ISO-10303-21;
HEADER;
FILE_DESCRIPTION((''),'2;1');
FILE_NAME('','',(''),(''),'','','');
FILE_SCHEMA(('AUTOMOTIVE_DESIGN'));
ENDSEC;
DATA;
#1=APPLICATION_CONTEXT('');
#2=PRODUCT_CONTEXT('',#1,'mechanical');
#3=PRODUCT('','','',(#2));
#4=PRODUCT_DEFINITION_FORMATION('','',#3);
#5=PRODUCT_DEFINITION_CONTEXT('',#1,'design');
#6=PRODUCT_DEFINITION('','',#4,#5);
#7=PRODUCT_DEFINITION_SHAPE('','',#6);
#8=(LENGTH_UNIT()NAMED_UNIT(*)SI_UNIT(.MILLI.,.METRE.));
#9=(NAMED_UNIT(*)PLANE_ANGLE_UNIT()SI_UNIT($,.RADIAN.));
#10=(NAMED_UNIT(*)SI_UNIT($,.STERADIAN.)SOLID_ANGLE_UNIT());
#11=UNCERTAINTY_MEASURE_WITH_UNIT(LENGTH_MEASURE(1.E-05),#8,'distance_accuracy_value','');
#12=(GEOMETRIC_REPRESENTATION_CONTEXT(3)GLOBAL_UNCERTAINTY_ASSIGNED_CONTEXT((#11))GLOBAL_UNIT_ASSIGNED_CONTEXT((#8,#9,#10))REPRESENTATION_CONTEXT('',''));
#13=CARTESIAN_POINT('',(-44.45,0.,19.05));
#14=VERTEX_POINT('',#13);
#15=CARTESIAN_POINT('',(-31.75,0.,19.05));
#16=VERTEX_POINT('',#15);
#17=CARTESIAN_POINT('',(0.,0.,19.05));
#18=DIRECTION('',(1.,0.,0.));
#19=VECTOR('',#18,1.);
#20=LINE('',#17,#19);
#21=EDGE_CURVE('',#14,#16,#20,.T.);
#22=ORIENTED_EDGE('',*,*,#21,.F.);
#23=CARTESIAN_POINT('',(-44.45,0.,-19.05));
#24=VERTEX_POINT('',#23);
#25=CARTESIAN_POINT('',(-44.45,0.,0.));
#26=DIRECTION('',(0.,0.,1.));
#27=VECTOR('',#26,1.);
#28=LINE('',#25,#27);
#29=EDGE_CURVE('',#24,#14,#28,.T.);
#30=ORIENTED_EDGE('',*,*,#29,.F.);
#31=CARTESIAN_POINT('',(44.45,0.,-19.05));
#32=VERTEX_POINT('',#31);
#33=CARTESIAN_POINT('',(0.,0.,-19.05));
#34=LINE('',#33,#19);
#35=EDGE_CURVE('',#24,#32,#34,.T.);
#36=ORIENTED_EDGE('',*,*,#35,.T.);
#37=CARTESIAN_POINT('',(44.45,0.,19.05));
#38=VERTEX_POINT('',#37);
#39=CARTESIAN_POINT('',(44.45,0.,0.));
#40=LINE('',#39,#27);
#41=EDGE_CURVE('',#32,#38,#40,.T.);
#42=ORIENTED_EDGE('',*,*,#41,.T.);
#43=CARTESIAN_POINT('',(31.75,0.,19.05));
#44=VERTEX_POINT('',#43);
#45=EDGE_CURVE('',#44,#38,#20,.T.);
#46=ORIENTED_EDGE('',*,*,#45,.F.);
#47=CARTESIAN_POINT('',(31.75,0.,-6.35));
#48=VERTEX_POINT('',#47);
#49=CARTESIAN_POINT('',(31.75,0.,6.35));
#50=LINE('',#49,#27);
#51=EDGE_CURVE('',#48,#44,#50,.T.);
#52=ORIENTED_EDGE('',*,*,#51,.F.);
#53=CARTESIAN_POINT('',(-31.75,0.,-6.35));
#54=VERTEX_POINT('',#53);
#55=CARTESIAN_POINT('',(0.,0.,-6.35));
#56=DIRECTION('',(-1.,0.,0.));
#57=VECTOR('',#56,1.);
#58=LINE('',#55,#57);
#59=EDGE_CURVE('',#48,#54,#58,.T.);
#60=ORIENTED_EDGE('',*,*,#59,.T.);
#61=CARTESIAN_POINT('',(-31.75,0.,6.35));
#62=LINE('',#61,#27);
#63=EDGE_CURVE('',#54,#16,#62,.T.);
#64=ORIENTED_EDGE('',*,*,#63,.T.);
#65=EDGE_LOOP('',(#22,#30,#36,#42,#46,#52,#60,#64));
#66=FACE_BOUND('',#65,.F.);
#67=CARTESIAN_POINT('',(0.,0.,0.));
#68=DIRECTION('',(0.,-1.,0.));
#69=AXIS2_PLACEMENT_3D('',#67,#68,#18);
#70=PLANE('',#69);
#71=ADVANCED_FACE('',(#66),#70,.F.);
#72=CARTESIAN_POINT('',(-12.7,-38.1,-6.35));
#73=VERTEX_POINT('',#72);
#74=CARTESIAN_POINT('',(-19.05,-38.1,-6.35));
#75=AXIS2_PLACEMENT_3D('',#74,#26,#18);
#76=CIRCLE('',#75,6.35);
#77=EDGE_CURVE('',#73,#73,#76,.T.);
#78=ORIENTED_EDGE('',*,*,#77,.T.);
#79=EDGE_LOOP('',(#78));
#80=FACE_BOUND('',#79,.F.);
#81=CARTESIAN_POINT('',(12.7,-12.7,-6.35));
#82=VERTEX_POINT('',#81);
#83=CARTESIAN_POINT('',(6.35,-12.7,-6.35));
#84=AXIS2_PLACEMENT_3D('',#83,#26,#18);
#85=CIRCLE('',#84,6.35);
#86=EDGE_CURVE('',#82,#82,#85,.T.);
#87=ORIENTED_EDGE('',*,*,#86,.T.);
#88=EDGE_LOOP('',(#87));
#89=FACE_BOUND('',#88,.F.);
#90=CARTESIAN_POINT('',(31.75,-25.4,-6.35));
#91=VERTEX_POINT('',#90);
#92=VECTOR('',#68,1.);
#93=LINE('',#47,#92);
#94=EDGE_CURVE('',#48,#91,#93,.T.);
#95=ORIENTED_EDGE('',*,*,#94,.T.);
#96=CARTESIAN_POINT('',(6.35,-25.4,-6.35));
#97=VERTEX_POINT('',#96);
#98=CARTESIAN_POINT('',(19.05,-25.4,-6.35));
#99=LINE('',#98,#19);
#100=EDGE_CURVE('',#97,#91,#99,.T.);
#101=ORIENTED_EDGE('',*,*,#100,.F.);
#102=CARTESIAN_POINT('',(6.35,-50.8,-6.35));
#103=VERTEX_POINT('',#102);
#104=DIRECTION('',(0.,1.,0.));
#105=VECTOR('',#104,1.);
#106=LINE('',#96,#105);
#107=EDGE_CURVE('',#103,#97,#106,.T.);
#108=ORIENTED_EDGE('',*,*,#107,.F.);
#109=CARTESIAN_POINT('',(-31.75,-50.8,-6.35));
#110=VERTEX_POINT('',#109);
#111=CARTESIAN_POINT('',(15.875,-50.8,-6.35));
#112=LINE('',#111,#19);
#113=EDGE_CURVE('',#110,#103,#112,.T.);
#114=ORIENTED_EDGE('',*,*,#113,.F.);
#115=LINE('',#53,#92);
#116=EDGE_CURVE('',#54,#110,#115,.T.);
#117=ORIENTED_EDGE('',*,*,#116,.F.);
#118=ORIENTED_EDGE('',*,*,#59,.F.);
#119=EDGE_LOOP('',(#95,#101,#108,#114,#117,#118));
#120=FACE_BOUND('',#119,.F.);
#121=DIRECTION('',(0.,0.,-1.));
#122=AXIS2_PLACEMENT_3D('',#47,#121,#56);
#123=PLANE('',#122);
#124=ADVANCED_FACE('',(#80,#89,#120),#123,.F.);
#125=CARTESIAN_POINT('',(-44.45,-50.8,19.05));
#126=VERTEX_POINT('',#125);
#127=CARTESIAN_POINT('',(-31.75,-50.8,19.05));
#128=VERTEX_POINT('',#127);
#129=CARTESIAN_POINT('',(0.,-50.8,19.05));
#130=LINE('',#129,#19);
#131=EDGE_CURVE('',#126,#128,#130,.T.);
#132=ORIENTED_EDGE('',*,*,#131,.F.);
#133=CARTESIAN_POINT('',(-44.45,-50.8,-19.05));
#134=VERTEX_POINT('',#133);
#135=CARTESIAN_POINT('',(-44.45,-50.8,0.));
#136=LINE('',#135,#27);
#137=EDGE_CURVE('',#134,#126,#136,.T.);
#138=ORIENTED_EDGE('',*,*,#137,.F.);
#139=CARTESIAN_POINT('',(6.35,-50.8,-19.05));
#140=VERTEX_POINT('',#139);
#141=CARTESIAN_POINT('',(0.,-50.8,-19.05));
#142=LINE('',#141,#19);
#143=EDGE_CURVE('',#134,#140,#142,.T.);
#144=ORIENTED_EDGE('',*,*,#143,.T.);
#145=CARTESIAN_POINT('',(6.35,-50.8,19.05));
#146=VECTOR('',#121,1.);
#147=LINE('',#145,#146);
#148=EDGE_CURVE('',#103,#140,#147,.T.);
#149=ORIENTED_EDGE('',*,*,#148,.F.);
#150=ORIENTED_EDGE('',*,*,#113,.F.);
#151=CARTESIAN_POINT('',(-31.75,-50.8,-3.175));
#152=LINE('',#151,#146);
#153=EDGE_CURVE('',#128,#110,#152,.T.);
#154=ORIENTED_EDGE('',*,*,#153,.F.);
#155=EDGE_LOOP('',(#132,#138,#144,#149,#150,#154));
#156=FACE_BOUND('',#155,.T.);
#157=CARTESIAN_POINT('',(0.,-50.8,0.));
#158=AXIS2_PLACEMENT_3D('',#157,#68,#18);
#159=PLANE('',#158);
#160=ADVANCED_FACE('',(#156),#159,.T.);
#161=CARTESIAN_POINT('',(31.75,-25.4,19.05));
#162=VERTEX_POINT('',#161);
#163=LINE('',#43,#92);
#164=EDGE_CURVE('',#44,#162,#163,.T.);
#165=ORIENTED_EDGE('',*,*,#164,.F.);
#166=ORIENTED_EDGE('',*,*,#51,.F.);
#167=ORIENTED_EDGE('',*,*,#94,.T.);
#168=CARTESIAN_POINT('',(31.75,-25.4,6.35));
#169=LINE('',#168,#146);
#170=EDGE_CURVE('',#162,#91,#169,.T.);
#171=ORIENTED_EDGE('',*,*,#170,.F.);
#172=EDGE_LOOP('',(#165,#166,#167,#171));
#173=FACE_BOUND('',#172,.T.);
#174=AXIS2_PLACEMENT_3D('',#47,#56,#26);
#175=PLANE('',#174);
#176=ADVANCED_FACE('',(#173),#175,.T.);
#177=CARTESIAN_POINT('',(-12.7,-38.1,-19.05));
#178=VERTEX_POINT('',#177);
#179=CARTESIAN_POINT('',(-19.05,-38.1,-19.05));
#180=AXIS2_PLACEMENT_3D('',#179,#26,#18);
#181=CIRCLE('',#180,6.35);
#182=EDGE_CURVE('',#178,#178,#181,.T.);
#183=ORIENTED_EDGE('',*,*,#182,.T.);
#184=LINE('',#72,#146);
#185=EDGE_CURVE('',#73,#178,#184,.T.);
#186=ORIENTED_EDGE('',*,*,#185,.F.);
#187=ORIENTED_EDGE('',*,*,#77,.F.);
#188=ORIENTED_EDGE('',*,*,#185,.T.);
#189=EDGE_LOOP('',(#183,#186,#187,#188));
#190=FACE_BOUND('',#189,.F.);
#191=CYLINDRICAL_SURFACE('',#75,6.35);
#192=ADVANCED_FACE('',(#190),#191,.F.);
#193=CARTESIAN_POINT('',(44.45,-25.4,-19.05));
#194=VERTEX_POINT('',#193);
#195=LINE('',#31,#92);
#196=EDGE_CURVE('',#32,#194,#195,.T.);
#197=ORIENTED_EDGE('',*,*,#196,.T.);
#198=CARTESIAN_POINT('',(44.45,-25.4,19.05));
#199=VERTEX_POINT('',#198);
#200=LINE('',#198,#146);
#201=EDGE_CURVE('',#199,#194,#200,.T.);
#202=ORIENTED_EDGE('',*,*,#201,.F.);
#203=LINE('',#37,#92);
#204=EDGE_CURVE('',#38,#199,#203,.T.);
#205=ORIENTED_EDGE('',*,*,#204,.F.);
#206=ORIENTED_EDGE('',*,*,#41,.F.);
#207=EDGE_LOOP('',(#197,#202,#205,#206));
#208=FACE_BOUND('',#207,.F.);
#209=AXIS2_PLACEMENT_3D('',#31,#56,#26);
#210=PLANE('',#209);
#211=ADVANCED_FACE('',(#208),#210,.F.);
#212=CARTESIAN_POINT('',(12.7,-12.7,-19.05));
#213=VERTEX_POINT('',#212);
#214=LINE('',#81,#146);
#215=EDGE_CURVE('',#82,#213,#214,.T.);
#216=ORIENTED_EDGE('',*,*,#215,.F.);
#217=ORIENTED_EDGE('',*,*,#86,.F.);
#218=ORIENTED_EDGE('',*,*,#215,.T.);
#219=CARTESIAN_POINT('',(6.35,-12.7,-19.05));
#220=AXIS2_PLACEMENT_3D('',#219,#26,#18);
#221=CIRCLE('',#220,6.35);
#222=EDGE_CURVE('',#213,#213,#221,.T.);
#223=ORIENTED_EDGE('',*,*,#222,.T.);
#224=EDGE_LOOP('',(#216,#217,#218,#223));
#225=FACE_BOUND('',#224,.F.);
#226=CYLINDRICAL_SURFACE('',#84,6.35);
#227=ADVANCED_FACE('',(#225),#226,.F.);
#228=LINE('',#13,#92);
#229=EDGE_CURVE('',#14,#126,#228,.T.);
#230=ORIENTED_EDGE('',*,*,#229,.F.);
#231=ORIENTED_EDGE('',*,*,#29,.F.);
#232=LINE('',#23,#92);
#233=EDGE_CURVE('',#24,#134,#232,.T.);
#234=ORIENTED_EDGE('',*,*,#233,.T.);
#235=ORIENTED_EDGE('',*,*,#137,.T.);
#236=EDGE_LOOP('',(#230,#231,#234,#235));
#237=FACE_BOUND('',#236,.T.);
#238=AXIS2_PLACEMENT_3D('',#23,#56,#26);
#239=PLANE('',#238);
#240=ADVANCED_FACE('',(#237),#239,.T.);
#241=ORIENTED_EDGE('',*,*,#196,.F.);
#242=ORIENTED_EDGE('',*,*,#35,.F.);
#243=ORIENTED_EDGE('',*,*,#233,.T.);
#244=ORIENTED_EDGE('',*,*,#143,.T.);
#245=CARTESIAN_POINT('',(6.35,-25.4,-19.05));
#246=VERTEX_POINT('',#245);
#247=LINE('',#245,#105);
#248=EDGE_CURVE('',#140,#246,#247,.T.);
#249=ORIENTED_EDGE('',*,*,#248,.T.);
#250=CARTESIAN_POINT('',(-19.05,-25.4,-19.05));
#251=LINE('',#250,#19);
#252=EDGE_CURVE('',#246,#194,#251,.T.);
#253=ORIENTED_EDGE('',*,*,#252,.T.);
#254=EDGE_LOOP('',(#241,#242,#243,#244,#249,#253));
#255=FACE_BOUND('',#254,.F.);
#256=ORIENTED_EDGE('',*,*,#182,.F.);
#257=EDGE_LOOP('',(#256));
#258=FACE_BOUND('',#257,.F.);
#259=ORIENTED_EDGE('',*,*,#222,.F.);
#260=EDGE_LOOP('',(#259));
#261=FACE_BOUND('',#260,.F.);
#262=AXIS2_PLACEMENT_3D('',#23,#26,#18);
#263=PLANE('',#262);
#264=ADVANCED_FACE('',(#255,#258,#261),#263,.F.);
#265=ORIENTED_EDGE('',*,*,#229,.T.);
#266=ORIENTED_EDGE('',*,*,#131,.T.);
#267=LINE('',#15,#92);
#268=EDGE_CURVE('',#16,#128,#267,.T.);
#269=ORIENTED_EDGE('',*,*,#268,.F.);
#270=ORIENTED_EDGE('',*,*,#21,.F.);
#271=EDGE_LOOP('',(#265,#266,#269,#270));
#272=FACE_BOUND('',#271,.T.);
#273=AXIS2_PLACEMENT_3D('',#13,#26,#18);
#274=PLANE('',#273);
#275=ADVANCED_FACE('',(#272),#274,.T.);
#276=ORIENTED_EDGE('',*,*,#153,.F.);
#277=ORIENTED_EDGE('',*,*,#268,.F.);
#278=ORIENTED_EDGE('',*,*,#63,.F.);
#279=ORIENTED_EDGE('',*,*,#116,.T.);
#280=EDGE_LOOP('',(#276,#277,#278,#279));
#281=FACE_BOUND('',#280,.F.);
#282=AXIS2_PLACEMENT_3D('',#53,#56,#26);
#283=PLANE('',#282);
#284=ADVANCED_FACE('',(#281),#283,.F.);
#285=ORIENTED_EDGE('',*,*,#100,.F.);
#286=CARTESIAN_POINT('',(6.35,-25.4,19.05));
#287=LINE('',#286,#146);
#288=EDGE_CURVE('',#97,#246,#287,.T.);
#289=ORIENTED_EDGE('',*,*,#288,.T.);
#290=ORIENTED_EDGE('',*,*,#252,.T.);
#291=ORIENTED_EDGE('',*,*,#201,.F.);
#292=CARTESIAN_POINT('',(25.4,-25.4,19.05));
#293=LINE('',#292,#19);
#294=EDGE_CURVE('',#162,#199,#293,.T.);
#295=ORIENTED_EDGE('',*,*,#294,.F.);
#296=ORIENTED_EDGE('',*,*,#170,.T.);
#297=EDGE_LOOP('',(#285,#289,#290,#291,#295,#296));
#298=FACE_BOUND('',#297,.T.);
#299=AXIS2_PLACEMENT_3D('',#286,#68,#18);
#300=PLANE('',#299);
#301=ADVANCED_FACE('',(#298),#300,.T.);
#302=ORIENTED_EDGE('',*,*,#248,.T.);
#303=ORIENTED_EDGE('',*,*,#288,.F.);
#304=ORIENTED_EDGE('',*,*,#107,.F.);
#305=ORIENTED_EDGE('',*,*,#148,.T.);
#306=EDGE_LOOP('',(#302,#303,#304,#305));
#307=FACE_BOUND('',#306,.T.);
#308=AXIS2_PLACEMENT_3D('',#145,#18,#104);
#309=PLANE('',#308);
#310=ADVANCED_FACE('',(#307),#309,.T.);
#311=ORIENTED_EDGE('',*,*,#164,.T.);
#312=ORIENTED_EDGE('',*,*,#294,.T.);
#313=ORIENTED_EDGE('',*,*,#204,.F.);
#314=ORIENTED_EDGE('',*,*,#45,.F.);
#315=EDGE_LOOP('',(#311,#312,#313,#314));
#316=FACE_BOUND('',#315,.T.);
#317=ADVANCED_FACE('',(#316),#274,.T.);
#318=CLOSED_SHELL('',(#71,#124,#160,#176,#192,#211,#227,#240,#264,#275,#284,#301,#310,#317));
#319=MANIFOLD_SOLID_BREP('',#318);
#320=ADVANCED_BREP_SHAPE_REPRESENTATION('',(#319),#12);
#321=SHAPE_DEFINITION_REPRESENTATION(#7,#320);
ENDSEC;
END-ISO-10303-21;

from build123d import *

# Parameters (mm, degrees)
F0_W     = 88.9
F0_H     = 38.1
F1_DEPTH = 50.8
F2_W     = 38.1
F2_H     = 25.4
F3_DEPTH = 49.784
F4_W     = 63.5
F4_H     = 25.4
F5_DEPTH = 71.374
F6_R     = 6.35
F7_DEPTH = 25.4


with BuildPart() as f1:
    # F0 (on Front) → F1 (new body)
    with BuildSketch(Plane.XZ):
        Rectangle(F0_W, F0_H)
    extrude(amount=F1_DEPTH)

    # F2 (on face) → F3 (cut)
    with BuildSketch(Plane.XY.offset(19.05)):
        with Locations((25.4, -38.1)):
            Rectangle(F2_W, F2_H)
    extrude(amount=-F3_DEPTH, mode=Mode.SUBTRACT)

    # F4 (on face) → F5 (cut)
    with BuildSketch(Plane(origin=(0, 0, 0), x_dir=(-1, 0, 0), z_dir=(0, 1, 0))):
        with Locations((0, 6.35)):
            Rectangle(F4_W, F4_H)
    extrude(amount=-F5_DEPTH, mode=Mode.SUBTRACT)

    # F6 (on face) → F7 (cut)
    with BuildSketch(Plane.XY.offset(-6.35)):
        with Locations((-19.05, -38.1)):
            Circle(F6_R)
        with Locations((6.35, -12.7)):
            Circle(F6_R)
    extrude(amount=-F7_DEPTH, mode=Mode.SUBTRACT)


solid = f1.part
